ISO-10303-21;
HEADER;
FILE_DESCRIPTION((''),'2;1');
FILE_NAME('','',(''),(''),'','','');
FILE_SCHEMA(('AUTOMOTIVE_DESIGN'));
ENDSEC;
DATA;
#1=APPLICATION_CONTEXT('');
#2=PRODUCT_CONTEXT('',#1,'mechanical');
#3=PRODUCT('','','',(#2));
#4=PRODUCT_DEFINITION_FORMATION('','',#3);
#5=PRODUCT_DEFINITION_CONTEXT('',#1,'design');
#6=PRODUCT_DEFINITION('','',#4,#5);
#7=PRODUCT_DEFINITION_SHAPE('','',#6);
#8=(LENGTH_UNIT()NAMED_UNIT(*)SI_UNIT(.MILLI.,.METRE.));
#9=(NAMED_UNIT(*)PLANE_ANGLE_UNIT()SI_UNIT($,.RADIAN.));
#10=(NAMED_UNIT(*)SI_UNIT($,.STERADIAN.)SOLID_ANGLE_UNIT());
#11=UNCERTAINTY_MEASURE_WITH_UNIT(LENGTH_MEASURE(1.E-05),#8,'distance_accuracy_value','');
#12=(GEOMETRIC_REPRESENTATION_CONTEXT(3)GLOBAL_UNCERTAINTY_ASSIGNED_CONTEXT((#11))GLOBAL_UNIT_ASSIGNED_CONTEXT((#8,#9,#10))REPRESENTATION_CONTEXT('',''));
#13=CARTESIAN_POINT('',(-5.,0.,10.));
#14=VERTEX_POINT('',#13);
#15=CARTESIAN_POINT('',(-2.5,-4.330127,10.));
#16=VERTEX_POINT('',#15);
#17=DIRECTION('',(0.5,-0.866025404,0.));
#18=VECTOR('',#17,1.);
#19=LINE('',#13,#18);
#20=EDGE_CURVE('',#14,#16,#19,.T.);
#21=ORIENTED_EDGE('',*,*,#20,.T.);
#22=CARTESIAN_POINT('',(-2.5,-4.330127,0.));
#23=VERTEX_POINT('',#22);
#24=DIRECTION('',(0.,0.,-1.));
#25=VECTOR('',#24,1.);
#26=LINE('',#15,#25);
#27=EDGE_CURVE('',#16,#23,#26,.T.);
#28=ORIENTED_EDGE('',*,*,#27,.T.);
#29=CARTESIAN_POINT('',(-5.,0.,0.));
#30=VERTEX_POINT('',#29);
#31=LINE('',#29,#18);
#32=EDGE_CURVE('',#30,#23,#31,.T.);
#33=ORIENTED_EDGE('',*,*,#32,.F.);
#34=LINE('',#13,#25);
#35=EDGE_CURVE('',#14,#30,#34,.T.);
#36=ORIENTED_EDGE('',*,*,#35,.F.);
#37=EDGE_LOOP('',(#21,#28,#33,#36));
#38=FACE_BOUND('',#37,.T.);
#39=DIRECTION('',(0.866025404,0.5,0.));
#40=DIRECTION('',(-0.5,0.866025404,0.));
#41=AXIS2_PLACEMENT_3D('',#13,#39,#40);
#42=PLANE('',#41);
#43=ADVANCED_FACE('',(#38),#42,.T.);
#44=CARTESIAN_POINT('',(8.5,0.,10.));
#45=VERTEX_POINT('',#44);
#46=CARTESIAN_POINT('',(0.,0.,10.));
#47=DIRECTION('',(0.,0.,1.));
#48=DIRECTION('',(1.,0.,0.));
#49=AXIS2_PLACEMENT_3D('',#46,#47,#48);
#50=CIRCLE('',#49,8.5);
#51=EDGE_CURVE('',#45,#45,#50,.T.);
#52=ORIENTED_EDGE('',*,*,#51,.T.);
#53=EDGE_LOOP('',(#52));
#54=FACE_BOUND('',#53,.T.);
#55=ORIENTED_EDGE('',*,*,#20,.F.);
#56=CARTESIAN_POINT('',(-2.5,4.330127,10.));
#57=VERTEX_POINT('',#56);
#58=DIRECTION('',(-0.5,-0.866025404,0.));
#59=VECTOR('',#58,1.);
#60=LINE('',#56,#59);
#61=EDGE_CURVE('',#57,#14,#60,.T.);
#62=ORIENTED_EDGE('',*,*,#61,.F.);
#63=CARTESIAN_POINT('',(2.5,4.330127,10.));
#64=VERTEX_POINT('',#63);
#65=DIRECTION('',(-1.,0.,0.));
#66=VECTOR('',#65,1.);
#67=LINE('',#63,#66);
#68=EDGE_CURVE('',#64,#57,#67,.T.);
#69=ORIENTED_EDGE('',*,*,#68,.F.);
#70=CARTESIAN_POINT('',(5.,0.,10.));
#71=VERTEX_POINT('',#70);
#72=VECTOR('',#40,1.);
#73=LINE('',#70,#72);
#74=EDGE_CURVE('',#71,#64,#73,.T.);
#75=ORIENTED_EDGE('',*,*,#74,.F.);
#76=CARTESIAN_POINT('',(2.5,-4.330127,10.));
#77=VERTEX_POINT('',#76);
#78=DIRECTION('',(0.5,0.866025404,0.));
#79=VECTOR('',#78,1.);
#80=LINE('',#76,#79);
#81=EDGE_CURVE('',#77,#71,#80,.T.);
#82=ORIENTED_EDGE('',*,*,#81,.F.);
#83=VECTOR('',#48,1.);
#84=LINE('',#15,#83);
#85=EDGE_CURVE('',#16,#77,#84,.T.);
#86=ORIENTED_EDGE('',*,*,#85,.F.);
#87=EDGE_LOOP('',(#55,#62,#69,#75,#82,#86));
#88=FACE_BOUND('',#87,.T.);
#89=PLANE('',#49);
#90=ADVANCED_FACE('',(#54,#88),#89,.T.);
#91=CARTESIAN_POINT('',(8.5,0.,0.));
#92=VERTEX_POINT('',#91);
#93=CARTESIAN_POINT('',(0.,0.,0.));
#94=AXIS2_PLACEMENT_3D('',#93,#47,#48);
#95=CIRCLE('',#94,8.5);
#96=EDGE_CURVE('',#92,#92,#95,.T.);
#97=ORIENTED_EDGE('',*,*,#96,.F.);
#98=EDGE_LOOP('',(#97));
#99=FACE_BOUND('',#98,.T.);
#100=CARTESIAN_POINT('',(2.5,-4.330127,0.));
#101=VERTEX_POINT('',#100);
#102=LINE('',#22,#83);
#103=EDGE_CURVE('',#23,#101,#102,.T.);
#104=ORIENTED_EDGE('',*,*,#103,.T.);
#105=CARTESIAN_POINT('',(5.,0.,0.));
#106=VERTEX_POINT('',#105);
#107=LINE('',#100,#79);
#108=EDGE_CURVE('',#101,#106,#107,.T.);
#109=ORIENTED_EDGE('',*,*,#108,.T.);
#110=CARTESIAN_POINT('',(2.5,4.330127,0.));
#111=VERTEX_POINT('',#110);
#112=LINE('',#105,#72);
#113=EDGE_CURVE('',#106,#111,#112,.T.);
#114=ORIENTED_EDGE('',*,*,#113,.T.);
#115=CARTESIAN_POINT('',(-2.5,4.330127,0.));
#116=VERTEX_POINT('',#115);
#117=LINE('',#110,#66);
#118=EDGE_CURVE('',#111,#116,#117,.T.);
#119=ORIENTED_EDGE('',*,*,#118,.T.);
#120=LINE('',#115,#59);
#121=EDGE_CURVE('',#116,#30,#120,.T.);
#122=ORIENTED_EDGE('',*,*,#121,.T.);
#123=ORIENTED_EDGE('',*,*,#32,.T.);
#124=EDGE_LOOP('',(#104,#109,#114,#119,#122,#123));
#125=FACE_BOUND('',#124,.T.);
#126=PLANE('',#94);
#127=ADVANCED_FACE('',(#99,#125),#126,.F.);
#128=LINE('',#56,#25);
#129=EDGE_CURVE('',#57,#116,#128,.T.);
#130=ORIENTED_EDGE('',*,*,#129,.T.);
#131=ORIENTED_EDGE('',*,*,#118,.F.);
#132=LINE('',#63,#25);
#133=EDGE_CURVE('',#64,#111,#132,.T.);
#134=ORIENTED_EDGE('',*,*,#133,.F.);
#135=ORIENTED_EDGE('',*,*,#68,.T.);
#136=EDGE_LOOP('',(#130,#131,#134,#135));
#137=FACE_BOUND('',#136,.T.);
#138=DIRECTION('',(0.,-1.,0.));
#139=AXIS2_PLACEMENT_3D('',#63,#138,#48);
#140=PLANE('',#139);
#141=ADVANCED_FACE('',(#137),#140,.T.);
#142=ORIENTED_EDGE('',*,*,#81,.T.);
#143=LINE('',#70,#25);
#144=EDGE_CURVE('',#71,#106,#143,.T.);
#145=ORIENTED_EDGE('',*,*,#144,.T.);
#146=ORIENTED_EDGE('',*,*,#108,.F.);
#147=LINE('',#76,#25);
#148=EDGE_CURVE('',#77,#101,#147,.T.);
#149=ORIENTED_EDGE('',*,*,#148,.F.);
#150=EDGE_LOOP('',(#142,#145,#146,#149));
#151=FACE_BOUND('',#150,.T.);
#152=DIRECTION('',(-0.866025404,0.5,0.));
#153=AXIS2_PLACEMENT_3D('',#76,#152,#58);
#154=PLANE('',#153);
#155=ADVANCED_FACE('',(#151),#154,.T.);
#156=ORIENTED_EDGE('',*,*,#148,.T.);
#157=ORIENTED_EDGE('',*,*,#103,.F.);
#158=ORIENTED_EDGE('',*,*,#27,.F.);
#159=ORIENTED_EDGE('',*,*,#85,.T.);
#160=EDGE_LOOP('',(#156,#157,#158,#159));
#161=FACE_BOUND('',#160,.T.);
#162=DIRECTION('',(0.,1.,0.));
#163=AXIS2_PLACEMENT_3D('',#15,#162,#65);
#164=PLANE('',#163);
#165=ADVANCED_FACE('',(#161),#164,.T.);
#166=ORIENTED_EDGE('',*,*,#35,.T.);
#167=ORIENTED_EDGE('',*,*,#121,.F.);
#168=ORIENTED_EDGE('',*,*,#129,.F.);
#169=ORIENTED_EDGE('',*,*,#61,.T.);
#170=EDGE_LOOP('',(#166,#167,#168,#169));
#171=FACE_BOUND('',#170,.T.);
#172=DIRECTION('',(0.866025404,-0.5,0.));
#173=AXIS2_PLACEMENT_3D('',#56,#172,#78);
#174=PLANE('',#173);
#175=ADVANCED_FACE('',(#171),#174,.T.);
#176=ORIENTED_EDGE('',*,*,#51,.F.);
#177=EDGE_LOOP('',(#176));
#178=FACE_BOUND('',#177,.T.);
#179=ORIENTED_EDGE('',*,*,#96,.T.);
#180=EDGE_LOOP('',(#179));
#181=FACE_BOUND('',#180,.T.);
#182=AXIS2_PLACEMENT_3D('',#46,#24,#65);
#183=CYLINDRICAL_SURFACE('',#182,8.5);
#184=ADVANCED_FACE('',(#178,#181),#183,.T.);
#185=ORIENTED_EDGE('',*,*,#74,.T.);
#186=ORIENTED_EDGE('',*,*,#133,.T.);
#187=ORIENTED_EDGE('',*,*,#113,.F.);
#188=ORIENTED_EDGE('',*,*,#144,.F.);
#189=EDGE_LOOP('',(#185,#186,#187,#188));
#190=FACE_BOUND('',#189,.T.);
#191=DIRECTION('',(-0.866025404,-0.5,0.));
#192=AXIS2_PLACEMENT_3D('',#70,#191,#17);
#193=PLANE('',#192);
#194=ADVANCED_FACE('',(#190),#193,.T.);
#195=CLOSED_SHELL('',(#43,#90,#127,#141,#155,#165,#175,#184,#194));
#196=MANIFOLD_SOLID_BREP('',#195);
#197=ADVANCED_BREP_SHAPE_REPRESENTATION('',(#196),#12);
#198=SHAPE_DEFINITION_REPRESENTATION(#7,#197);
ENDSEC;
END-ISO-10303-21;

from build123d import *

# Parameters (mm, degrees)
SKETCH_1_R      = 8.5
EXTRUDE_1_DEPTH = 10


with BuildPart() as part:
    # 草图1 → 凸台-拉伸1 (new body)
    with BuildSketch(Plane.XY):
        Circle(SKETCH_1_R)
        Polygon((2.5, -4.330127019), (5, 0), (2.5, 4.330127019), (-2.5, 4.330127019), (-5, 0), (-2.5, -4.330127019), align=None, mode=Mode.SUBTRACT)
    extrude(amount=EXTRUDE_1_DEPTH)


solid = part.part
